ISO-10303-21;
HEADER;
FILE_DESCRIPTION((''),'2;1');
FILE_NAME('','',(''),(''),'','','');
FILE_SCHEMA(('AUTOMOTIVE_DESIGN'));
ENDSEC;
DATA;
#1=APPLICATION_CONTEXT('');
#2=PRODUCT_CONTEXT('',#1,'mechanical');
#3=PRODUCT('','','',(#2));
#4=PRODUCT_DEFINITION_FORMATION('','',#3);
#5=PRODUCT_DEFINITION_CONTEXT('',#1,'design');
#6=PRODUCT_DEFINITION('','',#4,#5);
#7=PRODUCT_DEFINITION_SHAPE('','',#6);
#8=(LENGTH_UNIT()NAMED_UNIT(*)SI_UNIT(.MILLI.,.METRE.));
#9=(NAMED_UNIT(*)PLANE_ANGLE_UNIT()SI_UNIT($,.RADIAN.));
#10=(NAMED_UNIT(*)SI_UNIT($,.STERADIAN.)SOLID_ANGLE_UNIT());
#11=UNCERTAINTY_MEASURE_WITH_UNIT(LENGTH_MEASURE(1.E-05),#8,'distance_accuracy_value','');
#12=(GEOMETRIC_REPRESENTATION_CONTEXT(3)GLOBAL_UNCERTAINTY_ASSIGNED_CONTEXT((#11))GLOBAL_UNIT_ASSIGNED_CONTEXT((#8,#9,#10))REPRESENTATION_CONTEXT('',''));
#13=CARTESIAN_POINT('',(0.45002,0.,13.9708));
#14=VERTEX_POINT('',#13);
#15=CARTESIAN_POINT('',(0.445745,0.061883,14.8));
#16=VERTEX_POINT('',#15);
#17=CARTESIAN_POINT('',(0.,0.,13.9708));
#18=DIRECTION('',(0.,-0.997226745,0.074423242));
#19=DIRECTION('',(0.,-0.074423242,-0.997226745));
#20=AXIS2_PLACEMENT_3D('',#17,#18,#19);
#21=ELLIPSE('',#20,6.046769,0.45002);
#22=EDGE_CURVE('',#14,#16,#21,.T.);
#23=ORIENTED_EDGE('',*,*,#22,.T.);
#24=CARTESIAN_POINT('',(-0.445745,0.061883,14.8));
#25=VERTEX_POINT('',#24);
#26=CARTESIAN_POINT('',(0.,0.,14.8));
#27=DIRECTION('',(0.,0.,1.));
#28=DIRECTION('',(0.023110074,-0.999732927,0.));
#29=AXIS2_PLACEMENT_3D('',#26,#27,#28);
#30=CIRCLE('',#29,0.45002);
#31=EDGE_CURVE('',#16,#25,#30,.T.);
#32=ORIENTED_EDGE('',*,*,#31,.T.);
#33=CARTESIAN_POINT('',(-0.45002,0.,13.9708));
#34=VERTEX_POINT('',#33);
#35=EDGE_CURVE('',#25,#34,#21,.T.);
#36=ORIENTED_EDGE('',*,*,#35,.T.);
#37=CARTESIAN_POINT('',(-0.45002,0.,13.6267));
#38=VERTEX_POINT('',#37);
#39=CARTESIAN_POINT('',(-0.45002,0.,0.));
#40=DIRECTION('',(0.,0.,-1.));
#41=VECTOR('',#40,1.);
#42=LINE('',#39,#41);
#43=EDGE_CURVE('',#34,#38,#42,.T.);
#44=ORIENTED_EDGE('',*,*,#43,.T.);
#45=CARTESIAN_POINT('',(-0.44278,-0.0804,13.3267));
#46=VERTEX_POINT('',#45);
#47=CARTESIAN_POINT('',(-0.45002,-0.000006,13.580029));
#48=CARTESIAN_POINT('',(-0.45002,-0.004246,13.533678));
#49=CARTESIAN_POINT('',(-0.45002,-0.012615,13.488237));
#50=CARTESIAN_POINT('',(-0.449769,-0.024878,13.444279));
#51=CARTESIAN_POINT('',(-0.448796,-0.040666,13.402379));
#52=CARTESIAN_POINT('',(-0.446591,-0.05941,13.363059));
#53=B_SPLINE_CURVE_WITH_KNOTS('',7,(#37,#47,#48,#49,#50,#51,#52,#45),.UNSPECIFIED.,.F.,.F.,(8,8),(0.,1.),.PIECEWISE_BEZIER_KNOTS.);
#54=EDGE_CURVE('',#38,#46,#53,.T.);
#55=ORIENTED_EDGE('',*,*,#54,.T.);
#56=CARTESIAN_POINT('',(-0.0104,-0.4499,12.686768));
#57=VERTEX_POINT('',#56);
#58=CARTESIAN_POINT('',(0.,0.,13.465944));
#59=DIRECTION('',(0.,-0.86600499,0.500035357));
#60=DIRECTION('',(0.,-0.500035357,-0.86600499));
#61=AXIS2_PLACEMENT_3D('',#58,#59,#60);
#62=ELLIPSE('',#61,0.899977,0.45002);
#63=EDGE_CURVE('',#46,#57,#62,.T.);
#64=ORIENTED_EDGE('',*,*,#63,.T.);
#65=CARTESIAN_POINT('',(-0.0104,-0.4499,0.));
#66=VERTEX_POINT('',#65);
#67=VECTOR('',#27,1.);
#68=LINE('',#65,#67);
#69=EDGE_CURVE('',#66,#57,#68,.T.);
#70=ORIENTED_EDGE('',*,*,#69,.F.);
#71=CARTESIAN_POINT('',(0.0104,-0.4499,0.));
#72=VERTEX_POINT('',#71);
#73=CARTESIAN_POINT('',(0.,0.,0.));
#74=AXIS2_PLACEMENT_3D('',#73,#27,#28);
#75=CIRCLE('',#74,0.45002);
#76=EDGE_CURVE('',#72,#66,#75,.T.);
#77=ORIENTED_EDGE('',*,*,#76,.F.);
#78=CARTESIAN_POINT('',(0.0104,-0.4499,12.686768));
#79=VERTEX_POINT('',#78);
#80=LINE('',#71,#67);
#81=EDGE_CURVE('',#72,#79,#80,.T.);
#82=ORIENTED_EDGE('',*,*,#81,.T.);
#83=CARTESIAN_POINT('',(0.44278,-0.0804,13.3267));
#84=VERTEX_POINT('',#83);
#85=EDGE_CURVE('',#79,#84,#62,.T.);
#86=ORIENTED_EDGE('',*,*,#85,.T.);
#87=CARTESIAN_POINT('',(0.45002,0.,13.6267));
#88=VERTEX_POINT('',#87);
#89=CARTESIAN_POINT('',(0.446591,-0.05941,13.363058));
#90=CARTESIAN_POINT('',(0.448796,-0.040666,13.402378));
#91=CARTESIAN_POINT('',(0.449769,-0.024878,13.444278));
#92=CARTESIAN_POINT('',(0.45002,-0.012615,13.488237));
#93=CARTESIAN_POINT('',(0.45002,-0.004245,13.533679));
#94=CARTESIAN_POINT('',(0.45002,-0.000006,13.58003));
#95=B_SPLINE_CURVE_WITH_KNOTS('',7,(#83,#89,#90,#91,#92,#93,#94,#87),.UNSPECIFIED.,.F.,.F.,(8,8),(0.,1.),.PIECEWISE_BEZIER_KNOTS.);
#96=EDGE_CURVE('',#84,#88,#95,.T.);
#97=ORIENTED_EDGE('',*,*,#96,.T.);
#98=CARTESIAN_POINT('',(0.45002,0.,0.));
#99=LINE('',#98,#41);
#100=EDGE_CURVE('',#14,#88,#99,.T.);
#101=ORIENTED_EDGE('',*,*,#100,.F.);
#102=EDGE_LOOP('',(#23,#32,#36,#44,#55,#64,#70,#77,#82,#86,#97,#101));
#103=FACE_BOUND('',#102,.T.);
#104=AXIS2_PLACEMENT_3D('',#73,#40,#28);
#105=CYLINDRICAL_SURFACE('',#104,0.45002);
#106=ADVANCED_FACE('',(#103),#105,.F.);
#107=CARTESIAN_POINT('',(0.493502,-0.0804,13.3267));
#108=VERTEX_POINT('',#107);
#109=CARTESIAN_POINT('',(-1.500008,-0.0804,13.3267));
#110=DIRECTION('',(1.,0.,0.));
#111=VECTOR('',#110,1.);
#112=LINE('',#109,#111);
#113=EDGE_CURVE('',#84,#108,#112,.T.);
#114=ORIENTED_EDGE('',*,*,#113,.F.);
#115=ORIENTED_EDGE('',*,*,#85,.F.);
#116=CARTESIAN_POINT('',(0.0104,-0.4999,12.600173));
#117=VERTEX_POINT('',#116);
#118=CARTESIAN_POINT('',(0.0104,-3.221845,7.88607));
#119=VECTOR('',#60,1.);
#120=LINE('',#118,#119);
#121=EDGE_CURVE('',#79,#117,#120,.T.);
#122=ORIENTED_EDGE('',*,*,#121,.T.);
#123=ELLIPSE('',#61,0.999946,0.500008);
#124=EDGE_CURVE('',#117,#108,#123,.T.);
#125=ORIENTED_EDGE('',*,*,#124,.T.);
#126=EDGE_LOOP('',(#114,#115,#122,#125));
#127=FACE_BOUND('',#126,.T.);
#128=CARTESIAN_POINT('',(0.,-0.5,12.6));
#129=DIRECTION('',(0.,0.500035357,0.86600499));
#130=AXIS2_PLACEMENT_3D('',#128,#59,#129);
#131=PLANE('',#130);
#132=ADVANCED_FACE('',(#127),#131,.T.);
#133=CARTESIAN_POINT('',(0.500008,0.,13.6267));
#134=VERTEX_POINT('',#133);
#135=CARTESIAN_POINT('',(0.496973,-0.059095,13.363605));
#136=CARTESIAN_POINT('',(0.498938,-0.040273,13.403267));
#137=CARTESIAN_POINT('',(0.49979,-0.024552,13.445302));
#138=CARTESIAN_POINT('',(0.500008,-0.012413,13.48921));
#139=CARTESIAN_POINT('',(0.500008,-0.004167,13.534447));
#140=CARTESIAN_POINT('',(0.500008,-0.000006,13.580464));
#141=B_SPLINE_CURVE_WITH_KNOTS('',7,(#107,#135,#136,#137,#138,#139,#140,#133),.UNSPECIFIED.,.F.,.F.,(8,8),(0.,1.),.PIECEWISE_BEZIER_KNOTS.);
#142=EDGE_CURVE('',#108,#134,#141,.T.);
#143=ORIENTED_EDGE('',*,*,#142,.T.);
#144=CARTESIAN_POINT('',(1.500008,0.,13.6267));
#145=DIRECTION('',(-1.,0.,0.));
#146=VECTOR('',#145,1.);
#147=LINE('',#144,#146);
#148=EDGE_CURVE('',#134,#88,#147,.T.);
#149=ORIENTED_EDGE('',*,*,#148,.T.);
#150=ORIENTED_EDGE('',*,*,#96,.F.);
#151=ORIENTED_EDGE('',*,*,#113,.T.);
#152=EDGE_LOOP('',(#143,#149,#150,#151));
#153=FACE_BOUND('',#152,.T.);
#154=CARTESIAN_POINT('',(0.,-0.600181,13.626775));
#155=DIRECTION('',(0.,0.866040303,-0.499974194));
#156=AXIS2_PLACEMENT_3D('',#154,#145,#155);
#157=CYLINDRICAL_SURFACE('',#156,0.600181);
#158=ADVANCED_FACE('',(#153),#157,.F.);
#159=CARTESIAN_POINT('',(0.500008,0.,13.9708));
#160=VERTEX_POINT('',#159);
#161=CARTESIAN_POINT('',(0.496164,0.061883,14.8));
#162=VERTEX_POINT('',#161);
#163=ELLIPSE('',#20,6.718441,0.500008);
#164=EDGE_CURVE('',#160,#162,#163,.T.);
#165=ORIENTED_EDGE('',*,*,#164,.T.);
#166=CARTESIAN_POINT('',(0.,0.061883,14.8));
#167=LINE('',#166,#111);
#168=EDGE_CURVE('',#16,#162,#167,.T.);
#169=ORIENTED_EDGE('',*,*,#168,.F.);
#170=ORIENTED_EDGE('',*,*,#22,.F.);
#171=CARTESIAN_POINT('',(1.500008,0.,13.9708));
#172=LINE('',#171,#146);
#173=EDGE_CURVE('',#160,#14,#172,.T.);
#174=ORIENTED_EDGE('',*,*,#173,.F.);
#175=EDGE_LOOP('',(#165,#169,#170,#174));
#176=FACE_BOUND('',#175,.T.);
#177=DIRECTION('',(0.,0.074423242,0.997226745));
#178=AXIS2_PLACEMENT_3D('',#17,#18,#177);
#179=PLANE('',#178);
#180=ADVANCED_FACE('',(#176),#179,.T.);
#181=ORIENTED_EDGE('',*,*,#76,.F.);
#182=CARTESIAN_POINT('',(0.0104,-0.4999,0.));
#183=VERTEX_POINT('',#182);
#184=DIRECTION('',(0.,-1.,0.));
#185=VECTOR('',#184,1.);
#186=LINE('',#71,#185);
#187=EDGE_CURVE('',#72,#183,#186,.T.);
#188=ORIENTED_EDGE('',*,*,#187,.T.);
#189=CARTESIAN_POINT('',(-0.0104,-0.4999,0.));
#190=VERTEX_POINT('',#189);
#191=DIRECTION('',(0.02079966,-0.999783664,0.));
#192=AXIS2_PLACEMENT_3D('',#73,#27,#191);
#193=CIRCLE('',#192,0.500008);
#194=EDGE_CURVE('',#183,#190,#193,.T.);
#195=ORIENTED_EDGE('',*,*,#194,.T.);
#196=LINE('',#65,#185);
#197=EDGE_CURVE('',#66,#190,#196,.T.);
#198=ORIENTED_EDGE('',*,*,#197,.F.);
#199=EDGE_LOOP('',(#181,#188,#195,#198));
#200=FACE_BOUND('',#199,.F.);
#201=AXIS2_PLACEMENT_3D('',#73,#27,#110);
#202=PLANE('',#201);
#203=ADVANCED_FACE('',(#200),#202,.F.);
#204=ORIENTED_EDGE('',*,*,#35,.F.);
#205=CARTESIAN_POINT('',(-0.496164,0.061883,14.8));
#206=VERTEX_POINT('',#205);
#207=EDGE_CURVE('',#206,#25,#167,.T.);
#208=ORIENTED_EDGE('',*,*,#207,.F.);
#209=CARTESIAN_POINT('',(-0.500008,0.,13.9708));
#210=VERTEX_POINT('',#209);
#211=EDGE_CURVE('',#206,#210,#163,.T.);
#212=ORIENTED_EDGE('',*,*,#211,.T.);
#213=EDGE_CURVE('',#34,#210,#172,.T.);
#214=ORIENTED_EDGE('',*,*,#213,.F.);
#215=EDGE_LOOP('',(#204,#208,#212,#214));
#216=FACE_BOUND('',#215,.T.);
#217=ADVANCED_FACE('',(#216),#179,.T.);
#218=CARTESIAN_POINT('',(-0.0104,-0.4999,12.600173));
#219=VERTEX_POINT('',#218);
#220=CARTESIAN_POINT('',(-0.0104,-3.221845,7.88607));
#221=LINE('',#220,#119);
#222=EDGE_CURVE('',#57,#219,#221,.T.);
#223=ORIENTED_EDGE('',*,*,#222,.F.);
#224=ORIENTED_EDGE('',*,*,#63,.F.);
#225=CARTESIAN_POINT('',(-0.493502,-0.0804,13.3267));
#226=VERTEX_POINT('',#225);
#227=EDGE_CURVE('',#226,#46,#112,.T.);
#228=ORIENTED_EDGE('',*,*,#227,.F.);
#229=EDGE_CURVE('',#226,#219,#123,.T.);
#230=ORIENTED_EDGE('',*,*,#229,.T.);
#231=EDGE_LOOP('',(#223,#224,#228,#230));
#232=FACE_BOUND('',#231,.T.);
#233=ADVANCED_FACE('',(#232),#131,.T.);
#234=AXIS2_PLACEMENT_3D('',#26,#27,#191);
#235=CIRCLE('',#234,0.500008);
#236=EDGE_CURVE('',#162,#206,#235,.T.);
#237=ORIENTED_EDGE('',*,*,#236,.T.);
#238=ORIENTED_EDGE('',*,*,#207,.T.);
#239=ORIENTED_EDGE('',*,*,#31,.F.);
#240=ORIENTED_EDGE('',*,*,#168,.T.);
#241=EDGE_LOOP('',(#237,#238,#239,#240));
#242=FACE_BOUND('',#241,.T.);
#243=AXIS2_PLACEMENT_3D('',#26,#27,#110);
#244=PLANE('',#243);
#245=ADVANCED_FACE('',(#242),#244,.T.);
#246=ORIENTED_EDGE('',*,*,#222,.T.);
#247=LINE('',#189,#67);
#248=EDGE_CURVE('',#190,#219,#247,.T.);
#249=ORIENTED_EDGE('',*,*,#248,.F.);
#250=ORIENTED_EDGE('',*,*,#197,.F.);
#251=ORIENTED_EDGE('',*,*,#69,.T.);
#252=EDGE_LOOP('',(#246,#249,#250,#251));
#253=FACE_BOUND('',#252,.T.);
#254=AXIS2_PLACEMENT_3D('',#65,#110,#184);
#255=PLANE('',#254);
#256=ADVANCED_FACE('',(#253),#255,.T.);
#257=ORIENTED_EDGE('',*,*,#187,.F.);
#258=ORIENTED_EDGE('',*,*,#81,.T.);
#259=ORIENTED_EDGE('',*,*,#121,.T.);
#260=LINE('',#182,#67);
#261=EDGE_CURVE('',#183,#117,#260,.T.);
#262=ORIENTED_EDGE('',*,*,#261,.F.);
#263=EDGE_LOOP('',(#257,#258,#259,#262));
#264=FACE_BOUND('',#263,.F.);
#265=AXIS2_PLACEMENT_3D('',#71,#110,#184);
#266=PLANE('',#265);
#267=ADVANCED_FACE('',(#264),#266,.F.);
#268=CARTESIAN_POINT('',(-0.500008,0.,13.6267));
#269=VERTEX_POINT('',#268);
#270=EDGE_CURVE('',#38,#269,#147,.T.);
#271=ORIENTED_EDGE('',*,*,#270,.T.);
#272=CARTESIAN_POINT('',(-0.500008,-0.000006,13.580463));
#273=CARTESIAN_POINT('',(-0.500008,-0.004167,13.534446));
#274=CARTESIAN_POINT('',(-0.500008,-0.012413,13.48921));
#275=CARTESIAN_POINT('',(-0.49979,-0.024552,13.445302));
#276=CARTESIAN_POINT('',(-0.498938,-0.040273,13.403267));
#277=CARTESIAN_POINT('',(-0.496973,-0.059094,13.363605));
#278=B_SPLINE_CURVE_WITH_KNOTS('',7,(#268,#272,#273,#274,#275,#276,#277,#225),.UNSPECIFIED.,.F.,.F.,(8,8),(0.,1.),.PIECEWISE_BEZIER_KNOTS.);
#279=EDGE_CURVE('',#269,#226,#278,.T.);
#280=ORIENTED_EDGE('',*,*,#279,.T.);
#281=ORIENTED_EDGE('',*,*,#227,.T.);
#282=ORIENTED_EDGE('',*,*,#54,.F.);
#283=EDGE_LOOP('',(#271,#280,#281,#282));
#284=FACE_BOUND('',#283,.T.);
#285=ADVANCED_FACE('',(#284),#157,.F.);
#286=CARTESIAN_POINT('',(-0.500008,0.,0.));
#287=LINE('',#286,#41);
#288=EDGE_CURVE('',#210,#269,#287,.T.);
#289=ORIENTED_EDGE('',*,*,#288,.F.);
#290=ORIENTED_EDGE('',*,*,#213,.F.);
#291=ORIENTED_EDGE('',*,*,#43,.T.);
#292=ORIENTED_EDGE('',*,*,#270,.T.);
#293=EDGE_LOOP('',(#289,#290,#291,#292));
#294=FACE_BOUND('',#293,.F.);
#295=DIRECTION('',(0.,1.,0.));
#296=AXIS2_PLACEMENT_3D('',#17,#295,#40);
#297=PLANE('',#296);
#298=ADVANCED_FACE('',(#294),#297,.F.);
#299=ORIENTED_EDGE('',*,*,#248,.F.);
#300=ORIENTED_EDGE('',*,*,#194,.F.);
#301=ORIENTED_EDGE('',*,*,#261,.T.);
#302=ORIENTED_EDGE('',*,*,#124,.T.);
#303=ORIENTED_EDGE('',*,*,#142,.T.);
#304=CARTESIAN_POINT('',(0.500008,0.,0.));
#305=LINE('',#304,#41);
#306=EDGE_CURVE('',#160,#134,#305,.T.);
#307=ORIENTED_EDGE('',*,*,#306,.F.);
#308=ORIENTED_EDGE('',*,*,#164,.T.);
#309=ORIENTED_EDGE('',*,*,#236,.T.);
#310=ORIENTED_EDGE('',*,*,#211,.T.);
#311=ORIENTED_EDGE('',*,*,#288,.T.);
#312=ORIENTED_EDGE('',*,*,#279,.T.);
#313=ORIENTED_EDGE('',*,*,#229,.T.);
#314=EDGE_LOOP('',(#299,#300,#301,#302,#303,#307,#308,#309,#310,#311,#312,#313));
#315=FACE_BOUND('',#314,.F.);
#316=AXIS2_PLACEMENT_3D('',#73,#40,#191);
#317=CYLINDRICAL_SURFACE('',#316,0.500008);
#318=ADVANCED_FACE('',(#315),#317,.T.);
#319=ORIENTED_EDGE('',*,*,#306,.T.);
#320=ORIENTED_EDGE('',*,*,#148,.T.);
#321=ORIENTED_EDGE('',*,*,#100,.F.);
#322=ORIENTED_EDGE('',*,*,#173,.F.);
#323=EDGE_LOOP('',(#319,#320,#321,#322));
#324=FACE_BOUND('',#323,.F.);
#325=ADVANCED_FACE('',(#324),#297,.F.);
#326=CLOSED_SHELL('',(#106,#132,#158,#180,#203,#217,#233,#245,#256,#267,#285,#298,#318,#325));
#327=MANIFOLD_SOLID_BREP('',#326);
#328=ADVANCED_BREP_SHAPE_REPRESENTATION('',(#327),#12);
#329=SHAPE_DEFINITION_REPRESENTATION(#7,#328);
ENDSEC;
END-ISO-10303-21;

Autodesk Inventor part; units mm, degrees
ref_plane "YZ Plane" through (0, 0, 0) normal (1, 0, 0) x (0, 1, 0)
ref_plane "XZ Plane" through (0, 0, 0) normal (0, 1, 0) x (-1, 0, 0)
ref_plane "XY Plane" through (0, 0, 0) normal (0, 0, 1) x (1, 0, 0)
sketch "Skizze1" plane through (0, 0, 0) normal (0, 0, 1) x (1, 0, 0)
  arc A0 (0.0104, -0.4999) -> (-0.0104, -0.4999) centre (0, 0) ccw
  arc A1 (0.0104, -0.4499) -> (-0.0104, -0.4499) centre (0, 0) ccw
  line L0 (-0.0104, -0.4499) -> (-0.0104, -0.4999)
  line L1 (0.0104, -0.4499) -> (0.0104, -0.4999)
  point P0 (-0.0054, 0)
  point P1 (0.0054, 0)
  dimension "d0" = 1
  dimension "d1" = 0.9
  dimension "d18" = 0.0209
extrude "Extrusion1" add sketch "Skizze1" along normal blind 14.8
sketch "Skizze2" plane through (0, 0, 0) normal (1, 0, 0) x (0, 1, 0)
  line L0 (-0.5, 0) -> (-0.5, 14.8)
  line L1 (-0.5, 12.6) -> (-0.0804, 13.3267)
  line L2 (0, 13.9708) -> (0, 13.6267)
  line L3 (0, 13.9708) -> (0.0666, 14.8632)
  arc A0 (-0.0804, 13.3267) -> (0, 13.6267) centre (-0.6, 13.6267) ccw
  line L4 (0.45, 0) -> (0.45, 14.8) projected
  line L5 (0.45, 14.8) -> (0.5, 14.8) projected
  line L6 (0.5, 14.8) -> (0.5, 0) projected
  line L7 (0.5, 0) -> (0.45, 0) projected
  arc A1 (0.0666, 14.8632) -> (-0.5, 12.6) centre (-0.4472, 13.7893) ccw
  point P0 (0, 0)
  point P1 (0, 13.466)
  dimension "d8" = 30
  dimension "d10" = 0.6
extrude "Extrusion3" cut sketch "Skizze2" along normal through all both and the other way through all contours A1 L3 L2 A0 L1
properties part number "pin"
